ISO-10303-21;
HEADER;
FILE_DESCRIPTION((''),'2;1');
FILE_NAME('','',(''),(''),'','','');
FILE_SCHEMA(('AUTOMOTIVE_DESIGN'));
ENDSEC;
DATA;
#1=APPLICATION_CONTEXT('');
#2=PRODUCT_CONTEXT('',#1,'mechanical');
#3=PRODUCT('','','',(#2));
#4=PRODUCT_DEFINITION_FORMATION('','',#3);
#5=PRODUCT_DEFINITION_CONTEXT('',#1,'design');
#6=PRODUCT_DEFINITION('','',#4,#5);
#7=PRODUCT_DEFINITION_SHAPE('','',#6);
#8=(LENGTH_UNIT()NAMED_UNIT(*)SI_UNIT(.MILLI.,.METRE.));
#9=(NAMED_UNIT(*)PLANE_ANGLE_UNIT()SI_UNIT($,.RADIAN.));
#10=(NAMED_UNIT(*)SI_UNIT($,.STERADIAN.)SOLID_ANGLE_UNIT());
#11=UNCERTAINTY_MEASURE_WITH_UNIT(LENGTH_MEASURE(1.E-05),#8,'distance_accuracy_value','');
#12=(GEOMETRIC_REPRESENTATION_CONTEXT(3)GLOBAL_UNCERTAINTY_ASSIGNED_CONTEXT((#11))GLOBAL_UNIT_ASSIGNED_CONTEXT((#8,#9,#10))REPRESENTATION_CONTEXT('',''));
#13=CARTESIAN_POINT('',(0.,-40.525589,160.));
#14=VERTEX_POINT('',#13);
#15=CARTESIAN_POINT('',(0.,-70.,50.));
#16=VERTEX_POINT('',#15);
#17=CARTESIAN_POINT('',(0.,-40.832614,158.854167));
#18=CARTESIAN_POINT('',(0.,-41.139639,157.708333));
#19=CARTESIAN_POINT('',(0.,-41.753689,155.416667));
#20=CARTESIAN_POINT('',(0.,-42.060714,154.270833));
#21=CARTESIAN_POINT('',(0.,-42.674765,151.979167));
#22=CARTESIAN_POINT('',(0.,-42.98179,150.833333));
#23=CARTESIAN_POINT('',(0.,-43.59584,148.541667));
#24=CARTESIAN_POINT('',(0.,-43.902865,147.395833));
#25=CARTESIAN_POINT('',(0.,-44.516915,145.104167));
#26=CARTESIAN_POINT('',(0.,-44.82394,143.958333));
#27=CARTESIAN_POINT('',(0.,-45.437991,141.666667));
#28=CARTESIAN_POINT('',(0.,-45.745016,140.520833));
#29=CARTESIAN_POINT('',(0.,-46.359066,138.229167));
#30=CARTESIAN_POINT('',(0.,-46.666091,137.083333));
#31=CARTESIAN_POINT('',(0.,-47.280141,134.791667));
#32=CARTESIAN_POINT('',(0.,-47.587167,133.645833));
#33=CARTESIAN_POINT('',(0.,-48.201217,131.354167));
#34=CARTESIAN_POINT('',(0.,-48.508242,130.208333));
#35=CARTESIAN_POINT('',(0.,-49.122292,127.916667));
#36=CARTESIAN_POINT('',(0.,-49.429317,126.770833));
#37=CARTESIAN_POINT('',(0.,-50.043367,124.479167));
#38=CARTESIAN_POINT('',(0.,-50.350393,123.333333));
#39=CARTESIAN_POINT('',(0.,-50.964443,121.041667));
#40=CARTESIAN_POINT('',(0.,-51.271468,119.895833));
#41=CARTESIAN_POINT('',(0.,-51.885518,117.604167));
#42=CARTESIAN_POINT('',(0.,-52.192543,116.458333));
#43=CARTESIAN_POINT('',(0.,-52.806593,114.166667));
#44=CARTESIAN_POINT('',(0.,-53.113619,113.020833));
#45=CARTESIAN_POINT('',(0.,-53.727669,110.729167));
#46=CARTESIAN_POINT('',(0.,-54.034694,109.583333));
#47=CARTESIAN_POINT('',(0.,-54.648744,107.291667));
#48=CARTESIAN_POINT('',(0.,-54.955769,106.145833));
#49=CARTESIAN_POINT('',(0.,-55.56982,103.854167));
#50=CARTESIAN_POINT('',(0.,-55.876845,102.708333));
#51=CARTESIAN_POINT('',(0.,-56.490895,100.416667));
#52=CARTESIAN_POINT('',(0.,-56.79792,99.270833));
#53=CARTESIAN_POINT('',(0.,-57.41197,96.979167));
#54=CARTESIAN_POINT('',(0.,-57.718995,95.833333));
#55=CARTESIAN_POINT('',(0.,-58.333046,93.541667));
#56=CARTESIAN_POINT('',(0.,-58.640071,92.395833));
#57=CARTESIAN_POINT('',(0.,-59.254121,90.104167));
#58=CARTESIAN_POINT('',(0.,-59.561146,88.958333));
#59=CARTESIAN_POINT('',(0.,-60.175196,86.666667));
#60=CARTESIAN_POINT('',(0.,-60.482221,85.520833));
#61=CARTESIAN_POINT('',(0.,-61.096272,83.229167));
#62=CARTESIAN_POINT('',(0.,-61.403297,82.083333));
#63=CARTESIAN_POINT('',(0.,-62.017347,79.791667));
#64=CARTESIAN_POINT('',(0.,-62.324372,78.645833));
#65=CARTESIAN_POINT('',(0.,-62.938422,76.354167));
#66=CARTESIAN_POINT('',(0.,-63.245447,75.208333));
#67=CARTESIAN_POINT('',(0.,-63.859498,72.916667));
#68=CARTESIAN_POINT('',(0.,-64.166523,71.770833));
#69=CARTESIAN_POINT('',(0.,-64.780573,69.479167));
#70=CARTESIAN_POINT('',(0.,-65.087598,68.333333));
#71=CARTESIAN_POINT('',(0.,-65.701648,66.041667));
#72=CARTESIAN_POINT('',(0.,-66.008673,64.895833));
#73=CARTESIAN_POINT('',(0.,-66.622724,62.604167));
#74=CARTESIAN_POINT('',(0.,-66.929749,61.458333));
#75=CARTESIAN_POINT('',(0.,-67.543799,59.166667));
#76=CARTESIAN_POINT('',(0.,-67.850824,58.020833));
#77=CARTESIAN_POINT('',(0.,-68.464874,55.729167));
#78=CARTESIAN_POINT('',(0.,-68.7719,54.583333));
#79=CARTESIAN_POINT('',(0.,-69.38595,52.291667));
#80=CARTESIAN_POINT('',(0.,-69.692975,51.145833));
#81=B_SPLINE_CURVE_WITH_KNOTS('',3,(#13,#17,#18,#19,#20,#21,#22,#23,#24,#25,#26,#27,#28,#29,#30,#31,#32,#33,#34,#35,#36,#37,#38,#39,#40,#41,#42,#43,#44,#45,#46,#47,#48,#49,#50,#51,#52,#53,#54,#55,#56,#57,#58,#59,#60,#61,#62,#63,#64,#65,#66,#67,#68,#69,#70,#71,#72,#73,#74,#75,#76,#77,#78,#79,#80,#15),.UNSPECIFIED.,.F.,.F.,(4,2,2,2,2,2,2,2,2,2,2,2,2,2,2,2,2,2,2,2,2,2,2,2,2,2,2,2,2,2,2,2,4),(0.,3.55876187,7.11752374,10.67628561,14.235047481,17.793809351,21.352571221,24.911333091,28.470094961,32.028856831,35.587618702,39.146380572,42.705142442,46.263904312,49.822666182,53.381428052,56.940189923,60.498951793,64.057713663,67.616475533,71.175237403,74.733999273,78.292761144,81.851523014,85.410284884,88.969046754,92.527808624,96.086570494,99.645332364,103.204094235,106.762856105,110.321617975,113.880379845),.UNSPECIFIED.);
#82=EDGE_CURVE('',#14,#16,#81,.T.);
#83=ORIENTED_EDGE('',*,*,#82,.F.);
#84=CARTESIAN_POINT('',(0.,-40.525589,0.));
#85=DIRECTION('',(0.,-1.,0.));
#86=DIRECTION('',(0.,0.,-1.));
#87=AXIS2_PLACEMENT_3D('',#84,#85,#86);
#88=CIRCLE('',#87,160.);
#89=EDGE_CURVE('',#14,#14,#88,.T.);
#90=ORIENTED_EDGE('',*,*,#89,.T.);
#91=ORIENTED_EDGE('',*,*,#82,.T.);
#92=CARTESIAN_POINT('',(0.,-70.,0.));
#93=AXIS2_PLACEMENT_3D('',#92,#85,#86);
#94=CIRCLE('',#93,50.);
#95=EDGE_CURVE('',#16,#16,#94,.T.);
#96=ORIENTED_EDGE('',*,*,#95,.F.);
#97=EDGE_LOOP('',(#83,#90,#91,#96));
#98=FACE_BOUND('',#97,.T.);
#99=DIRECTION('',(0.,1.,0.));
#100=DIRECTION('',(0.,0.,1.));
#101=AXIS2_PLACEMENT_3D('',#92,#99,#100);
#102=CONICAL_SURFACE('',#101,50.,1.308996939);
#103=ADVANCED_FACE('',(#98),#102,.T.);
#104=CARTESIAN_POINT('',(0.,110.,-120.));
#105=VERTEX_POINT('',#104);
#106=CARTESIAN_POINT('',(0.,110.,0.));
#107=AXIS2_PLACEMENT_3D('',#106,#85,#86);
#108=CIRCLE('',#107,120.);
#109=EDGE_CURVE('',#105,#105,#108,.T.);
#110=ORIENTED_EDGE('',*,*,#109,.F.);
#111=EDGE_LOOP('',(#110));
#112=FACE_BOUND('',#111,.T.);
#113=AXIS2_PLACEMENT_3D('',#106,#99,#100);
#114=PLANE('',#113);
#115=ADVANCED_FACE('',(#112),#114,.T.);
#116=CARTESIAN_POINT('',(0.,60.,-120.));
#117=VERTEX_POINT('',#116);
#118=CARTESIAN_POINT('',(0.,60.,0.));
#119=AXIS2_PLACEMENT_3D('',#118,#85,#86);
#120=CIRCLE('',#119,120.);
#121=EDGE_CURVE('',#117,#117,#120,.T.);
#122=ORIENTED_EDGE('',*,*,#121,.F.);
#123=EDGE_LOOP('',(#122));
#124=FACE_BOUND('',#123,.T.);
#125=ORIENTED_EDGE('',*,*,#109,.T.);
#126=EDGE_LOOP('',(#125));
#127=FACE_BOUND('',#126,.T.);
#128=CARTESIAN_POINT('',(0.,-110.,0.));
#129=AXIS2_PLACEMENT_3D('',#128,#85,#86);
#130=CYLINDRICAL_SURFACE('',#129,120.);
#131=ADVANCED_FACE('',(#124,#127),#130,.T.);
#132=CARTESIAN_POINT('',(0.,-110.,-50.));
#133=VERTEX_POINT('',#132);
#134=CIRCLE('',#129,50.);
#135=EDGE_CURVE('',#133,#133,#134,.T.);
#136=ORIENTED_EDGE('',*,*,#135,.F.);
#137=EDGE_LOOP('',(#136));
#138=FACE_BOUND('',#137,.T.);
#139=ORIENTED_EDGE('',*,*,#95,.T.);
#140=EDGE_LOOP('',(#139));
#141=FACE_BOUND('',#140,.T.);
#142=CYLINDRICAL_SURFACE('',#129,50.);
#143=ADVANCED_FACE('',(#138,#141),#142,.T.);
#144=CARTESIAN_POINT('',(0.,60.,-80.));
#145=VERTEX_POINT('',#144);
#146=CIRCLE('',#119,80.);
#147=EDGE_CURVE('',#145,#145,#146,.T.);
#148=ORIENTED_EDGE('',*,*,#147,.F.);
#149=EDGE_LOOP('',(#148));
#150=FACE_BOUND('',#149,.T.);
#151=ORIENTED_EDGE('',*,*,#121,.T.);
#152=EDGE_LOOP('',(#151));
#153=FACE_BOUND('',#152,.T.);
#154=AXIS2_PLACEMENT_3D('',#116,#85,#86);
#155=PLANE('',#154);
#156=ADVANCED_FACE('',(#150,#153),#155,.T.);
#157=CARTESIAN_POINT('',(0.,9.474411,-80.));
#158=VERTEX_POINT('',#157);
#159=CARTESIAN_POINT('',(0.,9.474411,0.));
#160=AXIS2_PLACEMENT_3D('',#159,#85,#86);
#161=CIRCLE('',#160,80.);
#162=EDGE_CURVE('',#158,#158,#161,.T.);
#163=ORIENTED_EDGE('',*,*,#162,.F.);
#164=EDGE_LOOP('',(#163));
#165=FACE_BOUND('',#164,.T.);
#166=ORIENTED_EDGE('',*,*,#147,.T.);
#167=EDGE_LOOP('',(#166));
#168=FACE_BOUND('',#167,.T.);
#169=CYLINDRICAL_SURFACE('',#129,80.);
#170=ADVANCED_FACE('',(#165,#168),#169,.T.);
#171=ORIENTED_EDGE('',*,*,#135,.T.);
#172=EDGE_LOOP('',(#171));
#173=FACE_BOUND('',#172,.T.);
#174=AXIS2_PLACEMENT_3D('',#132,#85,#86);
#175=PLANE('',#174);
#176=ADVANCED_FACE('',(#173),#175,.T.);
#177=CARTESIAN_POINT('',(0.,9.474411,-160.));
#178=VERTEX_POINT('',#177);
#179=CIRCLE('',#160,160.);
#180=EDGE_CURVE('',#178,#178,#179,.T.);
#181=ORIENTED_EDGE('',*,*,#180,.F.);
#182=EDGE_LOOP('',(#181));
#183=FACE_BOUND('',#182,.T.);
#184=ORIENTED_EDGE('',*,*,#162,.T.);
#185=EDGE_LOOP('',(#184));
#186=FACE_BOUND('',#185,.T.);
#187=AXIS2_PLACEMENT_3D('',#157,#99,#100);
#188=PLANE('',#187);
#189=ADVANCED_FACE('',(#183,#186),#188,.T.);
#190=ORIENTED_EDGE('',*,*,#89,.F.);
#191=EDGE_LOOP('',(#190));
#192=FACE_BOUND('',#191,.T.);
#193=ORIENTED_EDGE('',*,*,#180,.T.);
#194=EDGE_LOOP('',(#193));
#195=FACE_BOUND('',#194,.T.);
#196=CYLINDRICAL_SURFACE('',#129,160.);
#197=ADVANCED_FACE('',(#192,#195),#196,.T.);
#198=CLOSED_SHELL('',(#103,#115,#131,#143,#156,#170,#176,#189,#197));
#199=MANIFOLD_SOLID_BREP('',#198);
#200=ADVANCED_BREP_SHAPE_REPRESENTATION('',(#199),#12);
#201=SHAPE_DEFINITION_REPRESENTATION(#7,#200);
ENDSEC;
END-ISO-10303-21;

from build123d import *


with BuildPart() as part:
    # Sketch2 → Revolve1 (revolve)
    with BuildSketch(Plane(origin=(0, 0, 0), x_dir=(0, 0, -1), z_dir=(1, 0, 0))):
        Polygon((0, 110), (120, 110), (120, 60), (80, 60), (80, 9.474411167), (160, 9.474411167), (160, -40.525588833), (50, -70), (50, -110), (0, -110), align=None)
    revolve(axis=Axis((0, -110, 0), (0, 1, 0)))


solid = part.part
